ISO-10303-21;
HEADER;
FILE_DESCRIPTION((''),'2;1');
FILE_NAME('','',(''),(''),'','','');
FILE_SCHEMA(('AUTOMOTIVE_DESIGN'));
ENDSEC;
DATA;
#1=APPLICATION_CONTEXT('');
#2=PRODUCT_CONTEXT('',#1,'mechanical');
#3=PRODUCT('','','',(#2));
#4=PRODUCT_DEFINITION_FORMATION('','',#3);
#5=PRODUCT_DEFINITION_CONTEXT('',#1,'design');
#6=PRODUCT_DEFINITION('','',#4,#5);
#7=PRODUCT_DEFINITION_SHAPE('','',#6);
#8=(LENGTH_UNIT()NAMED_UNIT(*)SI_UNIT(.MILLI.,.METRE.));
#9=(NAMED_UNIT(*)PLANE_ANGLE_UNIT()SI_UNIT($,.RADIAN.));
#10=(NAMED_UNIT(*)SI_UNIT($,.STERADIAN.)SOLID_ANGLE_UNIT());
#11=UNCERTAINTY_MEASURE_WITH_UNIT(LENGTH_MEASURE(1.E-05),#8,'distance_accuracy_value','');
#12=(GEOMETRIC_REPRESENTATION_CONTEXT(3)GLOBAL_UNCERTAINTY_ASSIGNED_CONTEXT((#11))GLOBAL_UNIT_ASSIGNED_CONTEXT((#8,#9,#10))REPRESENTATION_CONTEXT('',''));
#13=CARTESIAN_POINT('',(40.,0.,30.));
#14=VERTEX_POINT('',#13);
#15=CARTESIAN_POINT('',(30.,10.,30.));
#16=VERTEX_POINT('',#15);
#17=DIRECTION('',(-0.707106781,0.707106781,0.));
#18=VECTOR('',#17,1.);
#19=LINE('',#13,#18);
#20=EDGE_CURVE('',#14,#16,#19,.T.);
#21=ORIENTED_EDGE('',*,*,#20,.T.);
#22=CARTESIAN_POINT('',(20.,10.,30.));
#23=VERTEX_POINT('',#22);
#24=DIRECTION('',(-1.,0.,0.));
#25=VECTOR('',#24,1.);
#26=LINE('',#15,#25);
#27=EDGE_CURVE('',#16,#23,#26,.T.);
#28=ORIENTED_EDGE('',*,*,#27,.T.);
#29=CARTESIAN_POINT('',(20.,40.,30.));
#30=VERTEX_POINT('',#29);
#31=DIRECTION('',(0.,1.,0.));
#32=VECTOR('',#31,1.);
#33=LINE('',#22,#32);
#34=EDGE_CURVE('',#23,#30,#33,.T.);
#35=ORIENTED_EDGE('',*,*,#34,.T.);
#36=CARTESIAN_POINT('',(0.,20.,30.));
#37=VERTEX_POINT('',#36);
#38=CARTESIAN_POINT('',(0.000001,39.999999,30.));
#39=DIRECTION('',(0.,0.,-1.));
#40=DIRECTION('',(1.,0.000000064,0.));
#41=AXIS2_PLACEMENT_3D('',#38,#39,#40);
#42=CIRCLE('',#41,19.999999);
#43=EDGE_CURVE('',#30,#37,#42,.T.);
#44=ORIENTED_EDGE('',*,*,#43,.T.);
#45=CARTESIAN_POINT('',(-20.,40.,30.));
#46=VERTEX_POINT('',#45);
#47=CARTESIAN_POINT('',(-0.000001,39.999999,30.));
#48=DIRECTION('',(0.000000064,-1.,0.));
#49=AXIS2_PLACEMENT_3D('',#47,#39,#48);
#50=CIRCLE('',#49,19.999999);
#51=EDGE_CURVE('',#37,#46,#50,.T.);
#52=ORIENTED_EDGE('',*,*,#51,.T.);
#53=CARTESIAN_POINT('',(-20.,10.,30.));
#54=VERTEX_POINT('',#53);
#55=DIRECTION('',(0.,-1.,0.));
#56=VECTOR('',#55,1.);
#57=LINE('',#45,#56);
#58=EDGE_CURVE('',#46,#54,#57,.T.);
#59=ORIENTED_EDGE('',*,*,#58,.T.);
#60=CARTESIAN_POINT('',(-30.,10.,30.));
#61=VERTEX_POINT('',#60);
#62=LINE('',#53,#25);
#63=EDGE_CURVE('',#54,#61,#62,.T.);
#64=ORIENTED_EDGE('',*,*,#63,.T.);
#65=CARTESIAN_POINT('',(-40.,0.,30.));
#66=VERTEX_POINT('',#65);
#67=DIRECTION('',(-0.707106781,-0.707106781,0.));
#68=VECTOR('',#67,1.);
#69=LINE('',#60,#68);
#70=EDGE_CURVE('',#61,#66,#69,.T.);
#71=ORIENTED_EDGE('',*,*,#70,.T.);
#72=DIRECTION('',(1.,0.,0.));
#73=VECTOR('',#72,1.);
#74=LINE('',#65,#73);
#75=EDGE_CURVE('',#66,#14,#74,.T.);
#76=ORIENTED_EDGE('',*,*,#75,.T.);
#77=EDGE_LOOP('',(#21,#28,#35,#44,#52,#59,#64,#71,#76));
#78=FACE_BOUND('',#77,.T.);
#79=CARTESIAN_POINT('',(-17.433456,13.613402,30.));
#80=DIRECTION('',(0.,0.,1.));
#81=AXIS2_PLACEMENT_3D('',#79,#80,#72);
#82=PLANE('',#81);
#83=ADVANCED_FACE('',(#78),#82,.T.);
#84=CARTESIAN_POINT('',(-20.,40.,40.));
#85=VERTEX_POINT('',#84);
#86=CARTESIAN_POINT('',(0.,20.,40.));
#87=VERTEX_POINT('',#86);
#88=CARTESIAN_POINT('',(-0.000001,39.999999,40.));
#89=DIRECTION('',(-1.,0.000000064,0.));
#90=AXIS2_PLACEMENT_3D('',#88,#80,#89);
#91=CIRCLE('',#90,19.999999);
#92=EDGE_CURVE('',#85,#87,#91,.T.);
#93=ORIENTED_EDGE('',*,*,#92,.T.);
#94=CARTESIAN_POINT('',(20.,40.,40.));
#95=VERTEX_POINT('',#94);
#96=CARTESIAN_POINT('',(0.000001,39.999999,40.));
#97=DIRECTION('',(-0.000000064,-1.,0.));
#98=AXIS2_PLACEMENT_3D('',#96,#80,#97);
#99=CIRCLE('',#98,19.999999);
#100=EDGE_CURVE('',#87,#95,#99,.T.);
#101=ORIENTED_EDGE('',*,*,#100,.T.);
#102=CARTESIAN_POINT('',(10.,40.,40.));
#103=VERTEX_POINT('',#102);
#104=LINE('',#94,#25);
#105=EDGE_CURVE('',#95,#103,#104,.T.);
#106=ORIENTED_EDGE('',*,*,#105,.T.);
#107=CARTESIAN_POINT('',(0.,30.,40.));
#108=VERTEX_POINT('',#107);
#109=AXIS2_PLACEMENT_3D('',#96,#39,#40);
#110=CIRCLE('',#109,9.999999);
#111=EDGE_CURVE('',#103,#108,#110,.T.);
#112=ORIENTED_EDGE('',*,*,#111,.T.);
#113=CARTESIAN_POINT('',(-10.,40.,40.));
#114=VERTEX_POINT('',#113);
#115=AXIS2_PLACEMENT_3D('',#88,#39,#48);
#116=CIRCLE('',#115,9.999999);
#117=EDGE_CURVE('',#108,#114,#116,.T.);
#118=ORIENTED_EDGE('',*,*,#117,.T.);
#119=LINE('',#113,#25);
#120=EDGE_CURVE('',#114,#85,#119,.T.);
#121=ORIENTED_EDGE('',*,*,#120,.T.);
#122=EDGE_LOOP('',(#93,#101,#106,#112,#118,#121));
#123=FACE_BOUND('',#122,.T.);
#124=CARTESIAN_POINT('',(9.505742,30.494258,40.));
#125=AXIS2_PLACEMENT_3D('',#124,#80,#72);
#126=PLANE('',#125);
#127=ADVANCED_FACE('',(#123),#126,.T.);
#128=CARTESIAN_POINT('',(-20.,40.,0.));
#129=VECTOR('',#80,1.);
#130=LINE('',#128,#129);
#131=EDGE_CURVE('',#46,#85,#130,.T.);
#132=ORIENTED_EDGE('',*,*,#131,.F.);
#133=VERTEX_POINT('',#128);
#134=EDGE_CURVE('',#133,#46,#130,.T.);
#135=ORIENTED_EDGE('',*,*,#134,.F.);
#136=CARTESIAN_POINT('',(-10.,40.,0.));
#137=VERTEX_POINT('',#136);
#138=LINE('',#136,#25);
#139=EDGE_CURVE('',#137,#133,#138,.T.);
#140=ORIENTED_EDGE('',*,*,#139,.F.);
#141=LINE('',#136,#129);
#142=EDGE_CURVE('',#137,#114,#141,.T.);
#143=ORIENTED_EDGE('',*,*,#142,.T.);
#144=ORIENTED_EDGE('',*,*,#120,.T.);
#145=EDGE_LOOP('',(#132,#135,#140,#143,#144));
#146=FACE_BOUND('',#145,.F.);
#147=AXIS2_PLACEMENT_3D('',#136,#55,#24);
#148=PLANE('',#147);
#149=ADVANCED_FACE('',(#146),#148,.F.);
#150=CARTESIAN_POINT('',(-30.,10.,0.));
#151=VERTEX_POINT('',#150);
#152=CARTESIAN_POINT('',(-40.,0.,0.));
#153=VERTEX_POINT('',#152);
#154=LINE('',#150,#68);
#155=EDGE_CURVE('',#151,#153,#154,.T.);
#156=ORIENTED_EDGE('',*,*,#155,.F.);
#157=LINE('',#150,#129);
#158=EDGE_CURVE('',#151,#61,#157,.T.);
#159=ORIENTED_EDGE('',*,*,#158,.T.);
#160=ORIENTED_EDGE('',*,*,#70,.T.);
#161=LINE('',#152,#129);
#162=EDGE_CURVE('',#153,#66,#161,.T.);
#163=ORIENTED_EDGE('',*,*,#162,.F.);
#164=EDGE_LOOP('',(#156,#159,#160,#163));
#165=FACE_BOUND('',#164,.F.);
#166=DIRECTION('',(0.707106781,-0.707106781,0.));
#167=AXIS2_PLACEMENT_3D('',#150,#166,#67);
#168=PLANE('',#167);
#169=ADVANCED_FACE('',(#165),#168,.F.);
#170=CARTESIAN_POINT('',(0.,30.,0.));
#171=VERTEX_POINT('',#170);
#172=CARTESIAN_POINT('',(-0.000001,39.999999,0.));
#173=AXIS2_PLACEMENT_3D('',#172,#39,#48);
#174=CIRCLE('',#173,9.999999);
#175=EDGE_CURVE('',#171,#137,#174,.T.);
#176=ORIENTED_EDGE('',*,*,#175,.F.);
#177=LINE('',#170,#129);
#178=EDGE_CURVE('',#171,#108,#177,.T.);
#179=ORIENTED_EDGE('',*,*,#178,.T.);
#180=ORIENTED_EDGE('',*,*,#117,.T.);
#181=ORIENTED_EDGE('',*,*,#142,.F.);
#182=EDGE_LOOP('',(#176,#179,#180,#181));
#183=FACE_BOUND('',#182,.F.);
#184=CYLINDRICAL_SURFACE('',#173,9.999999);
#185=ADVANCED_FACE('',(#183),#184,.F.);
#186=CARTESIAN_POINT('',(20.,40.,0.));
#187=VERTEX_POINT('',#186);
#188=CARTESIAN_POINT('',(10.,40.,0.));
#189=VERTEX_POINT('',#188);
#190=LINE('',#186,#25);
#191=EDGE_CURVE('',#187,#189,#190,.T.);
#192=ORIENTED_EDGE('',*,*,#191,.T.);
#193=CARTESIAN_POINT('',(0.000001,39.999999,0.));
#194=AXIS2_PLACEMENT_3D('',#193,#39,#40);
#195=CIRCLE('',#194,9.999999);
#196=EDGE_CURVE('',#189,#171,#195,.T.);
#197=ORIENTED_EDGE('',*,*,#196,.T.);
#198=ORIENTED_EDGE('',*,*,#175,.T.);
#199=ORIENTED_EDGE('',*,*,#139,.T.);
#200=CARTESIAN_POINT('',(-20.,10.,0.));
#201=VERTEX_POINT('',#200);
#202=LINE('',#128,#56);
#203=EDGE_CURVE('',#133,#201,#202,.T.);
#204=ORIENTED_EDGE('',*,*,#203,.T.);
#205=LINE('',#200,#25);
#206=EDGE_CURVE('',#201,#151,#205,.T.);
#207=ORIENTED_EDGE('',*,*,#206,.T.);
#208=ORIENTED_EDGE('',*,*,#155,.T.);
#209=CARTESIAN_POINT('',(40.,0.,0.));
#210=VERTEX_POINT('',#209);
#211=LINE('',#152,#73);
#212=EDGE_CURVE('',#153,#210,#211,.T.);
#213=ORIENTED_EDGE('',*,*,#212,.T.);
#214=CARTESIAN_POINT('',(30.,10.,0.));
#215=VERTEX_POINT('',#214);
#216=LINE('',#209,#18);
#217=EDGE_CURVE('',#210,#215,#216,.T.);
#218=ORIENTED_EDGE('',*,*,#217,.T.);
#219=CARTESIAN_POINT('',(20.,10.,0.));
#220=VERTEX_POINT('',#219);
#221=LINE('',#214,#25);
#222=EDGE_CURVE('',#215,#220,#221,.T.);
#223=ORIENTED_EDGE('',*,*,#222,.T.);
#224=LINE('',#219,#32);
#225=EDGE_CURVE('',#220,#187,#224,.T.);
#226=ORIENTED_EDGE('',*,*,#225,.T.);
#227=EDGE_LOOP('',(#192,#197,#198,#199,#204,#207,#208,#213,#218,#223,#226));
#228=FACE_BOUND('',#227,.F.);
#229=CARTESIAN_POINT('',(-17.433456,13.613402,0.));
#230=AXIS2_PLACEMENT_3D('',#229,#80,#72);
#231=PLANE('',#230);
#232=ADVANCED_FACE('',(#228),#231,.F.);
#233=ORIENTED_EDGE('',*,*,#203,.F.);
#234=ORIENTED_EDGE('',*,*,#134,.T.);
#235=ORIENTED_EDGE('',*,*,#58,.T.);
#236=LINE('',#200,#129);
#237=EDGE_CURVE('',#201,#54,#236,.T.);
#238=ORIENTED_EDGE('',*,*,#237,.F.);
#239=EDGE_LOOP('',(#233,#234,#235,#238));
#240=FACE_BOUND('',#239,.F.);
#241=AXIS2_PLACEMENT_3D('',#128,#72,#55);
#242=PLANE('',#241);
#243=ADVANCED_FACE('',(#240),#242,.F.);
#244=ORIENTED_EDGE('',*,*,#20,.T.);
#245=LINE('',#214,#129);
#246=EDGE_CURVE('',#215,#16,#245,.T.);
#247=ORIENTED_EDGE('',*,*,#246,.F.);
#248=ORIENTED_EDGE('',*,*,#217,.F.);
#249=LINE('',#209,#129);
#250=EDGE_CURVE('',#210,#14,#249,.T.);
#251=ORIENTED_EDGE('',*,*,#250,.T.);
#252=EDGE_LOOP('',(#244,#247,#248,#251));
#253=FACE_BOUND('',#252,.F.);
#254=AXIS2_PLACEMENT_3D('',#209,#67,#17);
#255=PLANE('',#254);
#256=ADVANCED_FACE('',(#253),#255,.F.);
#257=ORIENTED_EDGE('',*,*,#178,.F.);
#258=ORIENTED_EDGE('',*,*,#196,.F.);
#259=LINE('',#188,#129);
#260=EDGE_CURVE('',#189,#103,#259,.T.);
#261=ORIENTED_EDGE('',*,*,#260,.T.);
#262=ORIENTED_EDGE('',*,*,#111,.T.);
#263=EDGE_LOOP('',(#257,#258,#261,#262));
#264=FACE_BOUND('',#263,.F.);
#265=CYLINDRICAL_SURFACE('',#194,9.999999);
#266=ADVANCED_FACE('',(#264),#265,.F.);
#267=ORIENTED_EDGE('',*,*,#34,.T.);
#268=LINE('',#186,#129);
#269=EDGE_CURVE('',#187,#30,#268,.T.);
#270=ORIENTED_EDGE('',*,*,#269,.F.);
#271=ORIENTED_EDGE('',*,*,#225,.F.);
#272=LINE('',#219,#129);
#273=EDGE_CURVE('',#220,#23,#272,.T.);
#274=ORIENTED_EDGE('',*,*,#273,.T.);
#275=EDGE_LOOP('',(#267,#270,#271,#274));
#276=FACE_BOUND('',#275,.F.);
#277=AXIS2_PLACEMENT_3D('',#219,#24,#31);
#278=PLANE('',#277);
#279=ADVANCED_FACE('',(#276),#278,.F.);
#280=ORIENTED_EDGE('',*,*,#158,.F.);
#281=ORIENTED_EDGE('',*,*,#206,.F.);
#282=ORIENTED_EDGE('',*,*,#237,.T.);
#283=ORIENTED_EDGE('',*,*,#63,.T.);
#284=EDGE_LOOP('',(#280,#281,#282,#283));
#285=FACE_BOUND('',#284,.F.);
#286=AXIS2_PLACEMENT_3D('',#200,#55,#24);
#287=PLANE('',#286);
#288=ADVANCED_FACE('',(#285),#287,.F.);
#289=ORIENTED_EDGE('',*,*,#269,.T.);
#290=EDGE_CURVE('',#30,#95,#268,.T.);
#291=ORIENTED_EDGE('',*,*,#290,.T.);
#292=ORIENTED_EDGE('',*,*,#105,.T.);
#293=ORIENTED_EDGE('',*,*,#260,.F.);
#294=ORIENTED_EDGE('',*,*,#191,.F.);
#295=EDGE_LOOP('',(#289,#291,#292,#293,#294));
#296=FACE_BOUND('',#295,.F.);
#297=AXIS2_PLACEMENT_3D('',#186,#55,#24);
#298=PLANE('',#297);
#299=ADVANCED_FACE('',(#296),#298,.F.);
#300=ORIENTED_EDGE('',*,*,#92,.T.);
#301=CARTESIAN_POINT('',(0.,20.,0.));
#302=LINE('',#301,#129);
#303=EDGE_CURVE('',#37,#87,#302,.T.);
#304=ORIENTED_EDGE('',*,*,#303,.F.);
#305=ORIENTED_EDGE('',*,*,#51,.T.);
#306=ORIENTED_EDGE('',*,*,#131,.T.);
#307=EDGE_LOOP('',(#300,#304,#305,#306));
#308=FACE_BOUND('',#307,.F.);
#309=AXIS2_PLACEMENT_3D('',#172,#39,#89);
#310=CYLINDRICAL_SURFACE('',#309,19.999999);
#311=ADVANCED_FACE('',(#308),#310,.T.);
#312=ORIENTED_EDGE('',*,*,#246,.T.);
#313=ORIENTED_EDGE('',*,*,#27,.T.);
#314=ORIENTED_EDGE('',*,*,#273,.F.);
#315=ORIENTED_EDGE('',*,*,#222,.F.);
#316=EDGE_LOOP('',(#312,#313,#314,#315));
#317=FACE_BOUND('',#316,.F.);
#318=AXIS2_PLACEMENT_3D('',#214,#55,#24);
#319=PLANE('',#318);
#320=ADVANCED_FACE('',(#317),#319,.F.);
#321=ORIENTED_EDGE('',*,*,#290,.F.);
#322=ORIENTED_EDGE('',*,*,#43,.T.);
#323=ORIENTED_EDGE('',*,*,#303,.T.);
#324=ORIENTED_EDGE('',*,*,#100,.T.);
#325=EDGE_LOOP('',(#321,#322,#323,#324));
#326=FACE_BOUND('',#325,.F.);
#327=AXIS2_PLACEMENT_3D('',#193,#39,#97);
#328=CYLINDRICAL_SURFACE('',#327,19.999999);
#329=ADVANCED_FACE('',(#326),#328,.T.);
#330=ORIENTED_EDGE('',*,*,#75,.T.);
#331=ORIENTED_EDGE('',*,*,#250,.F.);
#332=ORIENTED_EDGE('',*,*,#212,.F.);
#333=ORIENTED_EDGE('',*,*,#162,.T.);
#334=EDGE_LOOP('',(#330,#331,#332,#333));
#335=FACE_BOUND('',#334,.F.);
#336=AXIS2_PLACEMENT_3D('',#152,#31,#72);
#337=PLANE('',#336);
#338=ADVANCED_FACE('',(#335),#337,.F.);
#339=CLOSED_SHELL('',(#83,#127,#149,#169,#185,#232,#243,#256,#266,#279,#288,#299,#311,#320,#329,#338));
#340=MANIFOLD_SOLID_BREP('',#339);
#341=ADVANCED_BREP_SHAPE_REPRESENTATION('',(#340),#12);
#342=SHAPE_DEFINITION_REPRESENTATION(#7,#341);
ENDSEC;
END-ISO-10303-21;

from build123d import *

# Parameters (mm, degrees)
F1_DEPTH = 40
F2_DEPTH = 30


with BuildPart() as f1:
    # F0 (on Top) → F1 (new body)
    with BuildSketch(Plane.XY):
        with BuildLine():
            ThreePointArc((10, 40), (7.071068, 32.928932), (0, 30))
            Line((0, 30), (0, 20))
            ThreePointArc((0, 20), (14.142136, 25.857864), (20, 40))
            Line((20, 40), (10, 40))
        make_face()
        with BuildLine():
            Line((0, 20), (0, 30))
            ThreePointArc((0, 30), (-7.071068, 32.928932), (-10, 40))
            Line((-10, 40), (-20, 40))
            ThreePointArc((-20, 40), (-14.142136, 25.857864), (0, 20))
        make_face()
    extrude(amount=F1_DEPTH)

    # F0 (on Top) → F2 (join)
    with BuildSketch(Plane.XY):
        with BuildLine():
            Line((0, 0), (0, 20))
            ThreePointArc((0, 20), (-14.142136, 25.857864), (-20, 40))
            Line((-20, 40), (-20, 10))
            Line((-20, 10), (-30, 10))
            Line((-30, 10), (-40, 0))
            Line((-40, 0), (0, 0))
        make_face()
        with BuildLine():
            ThreePointArc((20, 40), (14.142136, 25.857864), (0, 20))
            Line((0, 20), (0, 0))
            Line((0, 0), (40, 0))
            Line((40, 0), (30, 10))
            Line((30, 10), (20, 10))
            Line((20, 10), (20, 40))
        make_face()
    extrude(amount=F2_DEPTH)


solid = f1.part
